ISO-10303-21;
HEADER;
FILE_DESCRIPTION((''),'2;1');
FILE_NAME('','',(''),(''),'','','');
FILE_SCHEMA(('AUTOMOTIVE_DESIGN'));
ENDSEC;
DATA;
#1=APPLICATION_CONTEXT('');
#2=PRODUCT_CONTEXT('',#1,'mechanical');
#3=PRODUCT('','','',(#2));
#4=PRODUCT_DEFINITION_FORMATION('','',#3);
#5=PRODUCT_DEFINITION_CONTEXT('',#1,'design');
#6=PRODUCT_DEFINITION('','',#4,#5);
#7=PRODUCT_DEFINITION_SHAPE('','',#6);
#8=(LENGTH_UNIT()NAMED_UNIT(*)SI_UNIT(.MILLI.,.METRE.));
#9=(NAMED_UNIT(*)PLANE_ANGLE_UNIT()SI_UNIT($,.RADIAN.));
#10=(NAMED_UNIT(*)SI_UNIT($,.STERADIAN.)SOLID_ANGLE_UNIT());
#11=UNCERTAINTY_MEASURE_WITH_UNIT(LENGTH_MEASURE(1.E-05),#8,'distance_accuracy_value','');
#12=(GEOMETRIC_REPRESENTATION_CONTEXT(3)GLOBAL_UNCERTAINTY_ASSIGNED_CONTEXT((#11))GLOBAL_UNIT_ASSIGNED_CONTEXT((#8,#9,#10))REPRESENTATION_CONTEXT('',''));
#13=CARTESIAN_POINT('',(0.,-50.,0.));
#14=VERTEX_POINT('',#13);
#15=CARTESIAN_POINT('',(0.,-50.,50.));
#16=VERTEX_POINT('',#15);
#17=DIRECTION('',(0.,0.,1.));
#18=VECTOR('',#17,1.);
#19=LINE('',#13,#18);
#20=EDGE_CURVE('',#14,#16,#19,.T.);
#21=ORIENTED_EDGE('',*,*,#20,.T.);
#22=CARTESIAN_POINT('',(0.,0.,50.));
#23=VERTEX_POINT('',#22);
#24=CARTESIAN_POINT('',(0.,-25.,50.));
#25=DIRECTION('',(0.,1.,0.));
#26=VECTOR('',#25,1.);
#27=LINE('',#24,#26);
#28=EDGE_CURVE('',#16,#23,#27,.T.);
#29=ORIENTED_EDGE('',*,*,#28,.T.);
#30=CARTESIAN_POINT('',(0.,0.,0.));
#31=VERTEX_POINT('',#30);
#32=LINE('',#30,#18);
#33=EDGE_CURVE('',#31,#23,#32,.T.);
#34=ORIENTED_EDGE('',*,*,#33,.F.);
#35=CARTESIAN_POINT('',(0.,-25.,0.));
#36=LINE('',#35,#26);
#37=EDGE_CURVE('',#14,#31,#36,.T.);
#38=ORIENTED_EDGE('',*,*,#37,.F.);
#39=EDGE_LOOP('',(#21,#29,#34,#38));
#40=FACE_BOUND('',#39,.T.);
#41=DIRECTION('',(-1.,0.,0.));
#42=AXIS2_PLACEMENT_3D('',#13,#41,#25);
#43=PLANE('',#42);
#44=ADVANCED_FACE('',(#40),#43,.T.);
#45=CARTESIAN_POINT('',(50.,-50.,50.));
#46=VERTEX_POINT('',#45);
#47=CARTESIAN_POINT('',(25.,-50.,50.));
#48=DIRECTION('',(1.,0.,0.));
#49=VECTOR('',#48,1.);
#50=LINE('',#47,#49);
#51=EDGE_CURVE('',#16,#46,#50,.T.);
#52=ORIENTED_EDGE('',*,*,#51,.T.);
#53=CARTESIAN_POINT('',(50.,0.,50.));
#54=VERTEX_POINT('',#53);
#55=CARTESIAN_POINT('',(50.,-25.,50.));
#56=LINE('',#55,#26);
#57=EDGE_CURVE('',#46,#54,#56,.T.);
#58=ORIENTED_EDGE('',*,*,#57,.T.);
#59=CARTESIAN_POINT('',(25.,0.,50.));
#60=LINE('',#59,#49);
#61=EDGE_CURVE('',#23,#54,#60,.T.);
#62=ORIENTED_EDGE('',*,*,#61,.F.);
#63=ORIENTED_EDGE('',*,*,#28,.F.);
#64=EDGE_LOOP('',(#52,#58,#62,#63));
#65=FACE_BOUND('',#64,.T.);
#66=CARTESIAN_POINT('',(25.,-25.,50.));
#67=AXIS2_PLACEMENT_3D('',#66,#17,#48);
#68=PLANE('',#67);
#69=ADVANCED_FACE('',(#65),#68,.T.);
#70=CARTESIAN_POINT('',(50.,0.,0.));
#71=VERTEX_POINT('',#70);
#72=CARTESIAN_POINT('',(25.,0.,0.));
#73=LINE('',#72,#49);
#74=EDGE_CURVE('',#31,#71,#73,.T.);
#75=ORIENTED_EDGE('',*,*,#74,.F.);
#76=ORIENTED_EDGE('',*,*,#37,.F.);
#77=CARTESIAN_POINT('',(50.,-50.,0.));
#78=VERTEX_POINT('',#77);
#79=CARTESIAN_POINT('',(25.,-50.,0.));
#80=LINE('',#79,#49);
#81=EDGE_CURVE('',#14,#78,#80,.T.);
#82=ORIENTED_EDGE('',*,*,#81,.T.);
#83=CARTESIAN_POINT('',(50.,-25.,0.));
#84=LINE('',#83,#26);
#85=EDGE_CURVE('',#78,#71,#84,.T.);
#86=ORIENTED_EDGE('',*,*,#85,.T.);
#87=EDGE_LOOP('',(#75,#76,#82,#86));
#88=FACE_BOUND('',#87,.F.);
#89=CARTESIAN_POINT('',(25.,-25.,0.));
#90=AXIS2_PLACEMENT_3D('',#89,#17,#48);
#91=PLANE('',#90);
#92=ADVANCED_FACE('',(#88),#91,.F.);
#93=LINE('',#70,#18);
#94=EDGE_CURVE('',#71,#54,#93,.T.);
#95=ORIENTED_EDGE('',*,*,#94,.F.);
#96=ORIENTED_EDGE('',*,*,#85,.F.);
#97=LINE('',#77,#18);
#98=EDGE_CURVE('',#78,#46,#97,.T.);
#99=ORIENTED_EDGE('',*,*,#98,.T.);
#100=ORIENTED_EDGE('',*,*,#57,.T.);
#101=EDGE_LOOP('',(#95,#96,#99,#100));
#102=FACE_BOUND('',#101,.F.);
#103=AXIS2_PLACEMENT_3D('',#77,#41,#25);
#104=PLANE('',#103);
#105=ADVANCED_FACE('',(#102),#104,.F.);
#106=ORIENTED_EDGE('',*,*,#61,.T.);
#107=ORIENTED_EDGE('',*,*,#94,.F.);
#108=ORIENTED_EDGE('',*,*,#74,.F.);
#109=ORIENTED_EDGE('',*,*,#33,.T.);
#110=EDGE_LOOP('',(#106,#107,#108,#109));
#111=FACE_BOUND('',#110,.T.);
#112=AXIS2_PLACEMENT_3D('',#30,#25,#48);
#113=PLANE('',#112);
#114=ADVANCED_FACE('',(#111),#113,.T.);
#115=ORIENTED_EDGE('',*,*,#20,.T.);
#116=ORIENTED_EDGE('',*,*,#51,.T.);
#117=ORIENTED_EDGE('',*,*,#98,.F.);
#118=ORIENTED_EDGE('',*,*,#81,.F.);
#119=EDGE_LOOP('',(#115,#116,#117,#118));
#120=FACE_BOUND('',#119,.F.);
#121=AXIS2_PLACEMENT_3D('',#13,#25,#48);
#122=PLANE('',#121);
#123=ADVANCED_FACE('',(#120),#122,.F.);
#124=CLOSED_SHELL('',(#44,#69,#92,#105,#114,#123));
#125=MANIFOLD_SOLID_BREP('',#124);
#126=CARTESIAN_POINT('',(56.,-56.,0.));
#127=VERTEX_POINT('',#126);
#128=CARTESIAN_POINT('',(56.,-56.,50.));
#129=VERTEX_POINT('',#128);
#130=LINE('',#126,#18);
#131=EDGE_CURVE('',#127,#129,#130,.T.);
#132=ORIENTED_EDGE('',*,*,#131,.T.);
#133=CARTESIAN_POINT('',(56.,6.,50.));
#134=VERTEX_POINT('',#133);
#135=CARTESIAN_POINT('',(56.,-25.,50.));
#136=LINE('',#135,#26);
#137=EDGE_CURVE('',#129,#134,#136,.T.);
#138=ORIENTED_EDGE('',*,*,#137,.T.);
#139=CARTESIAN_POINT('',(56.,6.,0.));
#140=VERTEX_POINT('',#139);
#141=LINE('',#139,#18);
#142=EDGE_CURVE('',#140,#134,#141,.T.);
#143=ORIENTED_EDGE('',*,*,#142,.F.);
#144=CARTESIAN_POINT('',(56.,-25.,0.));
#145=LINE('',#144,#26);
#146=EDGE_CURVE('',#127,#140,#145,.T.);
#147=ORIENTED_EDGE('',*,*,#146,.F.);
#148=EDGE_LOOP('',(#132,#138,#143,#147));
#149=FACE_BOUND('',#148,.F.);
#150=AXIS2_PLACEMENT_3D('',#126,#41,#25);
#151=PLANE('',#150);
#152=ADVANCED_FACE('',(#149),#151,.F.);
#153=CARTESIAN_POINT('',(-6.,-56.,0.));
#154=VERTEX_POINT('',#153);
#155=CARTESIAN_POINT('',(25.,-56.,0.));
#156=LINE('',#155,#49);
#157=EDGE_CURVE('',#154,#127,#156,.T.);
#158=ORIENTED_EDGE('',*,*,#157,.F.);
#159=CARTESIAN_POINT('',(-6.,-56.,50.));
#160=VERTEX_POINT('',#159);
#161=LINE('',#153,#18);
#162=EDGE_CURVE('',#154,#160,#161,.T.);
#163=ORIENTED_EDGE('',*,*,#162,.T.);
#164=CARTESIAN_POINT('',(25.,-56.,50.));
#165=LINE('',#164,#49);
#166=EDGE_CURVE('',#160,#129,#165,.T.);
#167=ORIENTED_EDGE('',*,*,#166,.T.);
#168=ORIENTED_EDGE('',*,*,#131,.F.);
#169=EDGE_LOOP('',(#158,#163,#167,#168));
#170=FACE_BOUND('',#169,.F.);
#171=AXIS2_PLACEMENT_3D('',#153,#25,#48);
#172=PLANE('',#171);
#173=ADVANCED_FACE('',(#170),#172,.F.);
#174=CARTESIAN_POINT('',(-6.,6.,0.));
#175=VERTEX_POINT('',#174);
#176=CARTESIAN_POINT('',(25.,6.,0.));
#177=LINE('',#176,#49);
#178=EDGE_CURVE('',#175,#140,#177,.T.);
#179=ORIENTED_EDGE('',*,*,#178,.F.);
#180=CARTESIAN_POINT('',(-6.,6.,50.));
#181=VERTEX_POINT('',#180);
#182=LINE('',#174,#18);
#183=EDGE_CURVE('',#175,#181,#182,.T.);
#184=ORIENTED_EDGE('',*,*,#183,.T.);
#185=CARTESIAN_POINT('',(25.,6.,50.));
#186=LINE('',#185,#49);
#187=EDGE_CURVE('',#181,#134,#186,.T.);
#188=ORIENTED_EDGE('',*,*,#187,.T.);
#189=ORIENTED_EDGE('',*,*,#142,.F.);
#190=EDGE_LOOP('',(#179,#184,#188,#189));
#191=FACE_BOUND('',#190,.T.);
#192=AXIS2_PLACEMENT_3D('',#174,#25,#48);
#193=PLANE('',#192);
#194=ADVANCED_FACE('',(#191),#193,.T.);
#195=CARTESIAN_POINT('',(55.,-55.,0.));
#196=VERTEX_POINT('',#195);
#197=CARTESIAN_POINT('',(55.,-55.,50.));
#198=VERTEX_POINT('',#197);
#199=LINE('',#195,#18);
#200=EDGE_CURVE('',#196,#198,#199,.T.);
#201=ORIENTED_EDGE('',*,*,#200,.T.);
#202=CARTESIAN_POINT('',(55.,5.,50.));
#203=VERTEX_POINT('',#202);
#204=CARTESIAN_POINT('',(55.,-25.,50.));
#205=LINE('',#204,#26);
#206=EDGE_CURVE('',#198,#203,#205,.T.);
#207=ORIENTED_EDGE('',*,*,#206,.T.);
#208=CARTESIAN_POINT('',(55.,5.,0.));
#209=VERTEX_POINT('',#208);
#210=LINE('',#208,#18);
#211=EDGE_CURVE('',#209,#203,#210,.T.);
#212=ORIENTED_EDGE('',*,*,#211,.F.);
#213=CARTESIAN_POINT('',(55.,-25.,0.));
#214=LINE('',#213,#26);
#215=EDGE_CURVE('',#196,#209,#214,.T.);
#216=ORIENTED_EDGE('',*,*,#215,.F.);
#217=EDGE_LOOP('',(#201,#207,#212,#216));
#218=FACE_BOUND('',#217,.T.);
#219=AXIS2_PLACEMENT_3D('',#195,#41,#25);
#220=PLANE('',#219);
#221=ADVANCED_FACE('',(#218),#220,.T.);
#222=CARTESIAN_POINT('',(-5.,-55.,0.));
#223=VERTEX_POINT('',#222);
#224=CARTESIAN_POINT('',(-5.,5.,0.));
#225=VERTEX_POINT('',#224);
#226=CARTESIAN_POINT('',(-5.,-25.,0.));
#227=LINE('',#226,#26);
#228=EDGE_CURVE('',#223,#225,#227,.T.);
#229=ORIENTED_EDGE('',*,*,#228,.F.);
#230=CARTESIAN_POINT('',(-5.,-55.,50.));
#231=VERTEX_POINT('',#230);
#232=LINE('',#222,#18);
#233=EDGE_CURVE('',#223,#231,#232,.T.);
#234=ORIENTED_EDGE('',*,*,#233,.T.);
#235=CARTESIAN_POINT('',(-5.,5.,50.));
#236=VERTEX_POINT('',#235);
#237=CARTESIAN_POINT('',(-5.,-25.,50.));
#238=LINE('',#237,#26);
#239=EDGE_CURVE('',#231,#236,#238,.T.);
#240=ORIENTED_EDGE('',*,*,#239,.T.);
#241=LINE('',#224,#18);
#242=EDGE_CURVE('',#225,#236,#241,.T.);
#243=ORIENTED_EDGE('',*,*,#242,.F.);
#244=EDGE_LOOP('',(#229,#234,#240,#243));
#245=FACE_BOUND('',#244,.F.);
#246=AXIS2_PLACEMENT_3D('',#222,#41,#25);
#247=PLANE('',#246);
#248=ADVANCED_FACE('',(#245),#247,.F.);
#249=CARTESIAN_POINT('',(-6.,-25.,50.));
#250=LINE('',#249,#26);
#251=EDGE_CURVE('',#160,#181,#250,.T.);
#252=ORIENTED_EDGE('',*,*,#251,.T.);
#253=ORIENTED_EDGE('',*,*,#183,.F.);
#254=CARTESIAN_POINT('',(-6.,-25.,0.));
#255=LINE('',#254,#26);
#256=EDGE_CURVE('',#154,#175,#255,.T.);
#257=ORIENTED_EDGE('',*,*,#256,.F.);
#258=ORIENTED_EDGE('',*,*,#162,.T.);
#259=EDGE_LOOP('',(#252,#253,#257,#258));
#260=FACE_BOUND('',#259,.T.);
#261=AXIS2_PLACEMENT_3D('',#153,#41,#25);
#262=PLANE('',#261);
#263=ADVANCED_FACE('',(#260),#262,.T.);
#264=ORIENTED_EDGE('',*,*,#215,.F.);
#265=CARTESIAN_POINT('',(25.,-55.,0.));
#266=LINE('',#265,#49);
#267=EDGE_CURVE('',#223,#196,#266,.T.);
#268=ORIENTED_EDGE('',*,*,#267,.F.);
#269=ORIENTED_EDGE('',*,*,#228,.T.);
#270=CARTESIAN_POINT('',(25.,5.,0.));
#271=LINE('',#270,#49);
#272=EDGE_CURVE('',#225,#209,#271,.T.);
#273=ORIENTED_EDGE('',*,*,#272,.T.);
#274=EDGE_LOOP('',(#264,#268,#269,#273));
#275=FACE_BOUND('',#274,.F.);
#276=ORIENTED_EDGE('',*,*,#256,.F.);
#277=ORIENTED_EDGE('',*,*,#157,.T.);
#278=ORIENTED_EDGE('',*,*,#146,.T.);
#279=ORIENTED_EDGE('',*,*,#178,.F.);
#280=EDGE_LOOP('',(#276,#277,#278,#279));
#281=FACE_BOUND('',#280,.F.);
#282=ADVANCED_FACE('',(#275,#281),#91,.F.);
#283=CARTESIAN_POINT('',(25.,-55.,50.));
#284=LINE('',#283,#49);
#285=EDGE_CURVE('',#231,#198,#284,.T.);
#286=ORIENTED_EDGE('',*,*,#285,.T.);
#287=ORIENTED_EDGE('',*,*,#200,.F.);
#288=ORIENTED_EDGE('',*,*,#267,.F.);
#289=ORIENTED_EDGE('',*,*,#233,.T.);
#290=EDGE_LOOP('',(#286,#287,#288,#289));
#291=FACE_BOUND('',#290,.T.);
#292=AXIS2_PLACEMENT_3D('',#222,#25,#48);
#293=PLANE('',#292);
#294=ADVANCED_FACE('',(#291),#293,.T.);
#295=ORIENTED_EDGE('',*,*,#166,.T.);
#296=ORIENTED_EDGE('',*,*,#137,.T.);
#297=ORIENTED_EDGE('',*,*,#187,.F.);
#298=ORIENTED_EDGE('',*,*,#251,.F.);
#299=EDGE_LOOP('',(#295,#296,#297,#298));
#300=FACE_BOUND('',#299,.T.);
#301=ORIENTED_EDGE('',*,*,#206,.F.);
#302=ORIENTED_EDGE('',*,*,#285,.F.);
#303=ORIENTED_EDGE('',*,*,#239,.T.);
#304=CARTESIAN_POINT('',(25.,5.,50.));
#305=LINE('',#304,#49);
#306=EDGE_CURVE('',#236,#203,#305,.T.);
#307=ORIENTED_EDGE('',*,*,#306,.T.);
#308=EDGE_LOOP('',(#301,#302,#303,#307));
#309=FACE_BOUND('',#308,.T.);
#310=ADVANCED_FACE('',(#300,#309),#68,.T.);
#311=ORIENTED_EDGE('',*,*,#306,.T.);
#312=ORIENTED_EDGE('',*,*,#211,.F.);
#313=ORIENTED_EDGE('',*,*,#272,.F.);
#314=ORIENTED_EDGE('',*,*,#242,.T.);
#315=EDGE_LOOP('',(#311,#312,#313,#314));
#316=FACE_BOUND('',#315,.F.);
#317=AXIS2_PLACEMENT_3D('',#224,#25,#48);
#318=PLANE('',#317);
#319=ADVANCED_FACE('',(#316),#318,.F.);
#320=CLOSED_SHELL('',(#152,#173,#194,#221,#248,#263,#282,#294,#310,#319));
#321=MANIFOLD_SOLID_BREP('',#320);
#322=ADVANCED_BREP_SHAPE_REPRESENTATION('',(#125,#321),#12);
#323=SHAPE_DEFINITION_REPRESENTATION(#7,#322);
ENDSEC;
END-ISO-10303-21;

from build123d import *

# Parameters (mm, degrees)
F0_W     = 50
F0_H     = 50
F1_DEPTH = 50
F0_W_2   = 62
F0_H_2   = 62
F0_W_3   = 60
F0_H_3   = 60
F2_DEPTH = 50


with BuildPart() as f1:
    # F0 (on Top) → F1 (new body)
    with BuildSketch(Plane.XY):
        with Locations((25, -25)):
            Rectangle(F0_W, F0_H)
    extrude(amount=F1_DEPTH)


with BuildPart() as f2:
    # F0 (on Top) → F2 (new body)
    with BuildSketch(Plane.XY):
        with Locations((25, -25)):
            Rectangle(F0_W_2, F0_H_2)
        with Locations((25, -25)):
            Rectangle(F0_W_3, F0_H_3, mode=Mode.SUBTRACT)
    extrude(amount=F2_DEPTH)


solid = Compound([f1.part, f2.part])
